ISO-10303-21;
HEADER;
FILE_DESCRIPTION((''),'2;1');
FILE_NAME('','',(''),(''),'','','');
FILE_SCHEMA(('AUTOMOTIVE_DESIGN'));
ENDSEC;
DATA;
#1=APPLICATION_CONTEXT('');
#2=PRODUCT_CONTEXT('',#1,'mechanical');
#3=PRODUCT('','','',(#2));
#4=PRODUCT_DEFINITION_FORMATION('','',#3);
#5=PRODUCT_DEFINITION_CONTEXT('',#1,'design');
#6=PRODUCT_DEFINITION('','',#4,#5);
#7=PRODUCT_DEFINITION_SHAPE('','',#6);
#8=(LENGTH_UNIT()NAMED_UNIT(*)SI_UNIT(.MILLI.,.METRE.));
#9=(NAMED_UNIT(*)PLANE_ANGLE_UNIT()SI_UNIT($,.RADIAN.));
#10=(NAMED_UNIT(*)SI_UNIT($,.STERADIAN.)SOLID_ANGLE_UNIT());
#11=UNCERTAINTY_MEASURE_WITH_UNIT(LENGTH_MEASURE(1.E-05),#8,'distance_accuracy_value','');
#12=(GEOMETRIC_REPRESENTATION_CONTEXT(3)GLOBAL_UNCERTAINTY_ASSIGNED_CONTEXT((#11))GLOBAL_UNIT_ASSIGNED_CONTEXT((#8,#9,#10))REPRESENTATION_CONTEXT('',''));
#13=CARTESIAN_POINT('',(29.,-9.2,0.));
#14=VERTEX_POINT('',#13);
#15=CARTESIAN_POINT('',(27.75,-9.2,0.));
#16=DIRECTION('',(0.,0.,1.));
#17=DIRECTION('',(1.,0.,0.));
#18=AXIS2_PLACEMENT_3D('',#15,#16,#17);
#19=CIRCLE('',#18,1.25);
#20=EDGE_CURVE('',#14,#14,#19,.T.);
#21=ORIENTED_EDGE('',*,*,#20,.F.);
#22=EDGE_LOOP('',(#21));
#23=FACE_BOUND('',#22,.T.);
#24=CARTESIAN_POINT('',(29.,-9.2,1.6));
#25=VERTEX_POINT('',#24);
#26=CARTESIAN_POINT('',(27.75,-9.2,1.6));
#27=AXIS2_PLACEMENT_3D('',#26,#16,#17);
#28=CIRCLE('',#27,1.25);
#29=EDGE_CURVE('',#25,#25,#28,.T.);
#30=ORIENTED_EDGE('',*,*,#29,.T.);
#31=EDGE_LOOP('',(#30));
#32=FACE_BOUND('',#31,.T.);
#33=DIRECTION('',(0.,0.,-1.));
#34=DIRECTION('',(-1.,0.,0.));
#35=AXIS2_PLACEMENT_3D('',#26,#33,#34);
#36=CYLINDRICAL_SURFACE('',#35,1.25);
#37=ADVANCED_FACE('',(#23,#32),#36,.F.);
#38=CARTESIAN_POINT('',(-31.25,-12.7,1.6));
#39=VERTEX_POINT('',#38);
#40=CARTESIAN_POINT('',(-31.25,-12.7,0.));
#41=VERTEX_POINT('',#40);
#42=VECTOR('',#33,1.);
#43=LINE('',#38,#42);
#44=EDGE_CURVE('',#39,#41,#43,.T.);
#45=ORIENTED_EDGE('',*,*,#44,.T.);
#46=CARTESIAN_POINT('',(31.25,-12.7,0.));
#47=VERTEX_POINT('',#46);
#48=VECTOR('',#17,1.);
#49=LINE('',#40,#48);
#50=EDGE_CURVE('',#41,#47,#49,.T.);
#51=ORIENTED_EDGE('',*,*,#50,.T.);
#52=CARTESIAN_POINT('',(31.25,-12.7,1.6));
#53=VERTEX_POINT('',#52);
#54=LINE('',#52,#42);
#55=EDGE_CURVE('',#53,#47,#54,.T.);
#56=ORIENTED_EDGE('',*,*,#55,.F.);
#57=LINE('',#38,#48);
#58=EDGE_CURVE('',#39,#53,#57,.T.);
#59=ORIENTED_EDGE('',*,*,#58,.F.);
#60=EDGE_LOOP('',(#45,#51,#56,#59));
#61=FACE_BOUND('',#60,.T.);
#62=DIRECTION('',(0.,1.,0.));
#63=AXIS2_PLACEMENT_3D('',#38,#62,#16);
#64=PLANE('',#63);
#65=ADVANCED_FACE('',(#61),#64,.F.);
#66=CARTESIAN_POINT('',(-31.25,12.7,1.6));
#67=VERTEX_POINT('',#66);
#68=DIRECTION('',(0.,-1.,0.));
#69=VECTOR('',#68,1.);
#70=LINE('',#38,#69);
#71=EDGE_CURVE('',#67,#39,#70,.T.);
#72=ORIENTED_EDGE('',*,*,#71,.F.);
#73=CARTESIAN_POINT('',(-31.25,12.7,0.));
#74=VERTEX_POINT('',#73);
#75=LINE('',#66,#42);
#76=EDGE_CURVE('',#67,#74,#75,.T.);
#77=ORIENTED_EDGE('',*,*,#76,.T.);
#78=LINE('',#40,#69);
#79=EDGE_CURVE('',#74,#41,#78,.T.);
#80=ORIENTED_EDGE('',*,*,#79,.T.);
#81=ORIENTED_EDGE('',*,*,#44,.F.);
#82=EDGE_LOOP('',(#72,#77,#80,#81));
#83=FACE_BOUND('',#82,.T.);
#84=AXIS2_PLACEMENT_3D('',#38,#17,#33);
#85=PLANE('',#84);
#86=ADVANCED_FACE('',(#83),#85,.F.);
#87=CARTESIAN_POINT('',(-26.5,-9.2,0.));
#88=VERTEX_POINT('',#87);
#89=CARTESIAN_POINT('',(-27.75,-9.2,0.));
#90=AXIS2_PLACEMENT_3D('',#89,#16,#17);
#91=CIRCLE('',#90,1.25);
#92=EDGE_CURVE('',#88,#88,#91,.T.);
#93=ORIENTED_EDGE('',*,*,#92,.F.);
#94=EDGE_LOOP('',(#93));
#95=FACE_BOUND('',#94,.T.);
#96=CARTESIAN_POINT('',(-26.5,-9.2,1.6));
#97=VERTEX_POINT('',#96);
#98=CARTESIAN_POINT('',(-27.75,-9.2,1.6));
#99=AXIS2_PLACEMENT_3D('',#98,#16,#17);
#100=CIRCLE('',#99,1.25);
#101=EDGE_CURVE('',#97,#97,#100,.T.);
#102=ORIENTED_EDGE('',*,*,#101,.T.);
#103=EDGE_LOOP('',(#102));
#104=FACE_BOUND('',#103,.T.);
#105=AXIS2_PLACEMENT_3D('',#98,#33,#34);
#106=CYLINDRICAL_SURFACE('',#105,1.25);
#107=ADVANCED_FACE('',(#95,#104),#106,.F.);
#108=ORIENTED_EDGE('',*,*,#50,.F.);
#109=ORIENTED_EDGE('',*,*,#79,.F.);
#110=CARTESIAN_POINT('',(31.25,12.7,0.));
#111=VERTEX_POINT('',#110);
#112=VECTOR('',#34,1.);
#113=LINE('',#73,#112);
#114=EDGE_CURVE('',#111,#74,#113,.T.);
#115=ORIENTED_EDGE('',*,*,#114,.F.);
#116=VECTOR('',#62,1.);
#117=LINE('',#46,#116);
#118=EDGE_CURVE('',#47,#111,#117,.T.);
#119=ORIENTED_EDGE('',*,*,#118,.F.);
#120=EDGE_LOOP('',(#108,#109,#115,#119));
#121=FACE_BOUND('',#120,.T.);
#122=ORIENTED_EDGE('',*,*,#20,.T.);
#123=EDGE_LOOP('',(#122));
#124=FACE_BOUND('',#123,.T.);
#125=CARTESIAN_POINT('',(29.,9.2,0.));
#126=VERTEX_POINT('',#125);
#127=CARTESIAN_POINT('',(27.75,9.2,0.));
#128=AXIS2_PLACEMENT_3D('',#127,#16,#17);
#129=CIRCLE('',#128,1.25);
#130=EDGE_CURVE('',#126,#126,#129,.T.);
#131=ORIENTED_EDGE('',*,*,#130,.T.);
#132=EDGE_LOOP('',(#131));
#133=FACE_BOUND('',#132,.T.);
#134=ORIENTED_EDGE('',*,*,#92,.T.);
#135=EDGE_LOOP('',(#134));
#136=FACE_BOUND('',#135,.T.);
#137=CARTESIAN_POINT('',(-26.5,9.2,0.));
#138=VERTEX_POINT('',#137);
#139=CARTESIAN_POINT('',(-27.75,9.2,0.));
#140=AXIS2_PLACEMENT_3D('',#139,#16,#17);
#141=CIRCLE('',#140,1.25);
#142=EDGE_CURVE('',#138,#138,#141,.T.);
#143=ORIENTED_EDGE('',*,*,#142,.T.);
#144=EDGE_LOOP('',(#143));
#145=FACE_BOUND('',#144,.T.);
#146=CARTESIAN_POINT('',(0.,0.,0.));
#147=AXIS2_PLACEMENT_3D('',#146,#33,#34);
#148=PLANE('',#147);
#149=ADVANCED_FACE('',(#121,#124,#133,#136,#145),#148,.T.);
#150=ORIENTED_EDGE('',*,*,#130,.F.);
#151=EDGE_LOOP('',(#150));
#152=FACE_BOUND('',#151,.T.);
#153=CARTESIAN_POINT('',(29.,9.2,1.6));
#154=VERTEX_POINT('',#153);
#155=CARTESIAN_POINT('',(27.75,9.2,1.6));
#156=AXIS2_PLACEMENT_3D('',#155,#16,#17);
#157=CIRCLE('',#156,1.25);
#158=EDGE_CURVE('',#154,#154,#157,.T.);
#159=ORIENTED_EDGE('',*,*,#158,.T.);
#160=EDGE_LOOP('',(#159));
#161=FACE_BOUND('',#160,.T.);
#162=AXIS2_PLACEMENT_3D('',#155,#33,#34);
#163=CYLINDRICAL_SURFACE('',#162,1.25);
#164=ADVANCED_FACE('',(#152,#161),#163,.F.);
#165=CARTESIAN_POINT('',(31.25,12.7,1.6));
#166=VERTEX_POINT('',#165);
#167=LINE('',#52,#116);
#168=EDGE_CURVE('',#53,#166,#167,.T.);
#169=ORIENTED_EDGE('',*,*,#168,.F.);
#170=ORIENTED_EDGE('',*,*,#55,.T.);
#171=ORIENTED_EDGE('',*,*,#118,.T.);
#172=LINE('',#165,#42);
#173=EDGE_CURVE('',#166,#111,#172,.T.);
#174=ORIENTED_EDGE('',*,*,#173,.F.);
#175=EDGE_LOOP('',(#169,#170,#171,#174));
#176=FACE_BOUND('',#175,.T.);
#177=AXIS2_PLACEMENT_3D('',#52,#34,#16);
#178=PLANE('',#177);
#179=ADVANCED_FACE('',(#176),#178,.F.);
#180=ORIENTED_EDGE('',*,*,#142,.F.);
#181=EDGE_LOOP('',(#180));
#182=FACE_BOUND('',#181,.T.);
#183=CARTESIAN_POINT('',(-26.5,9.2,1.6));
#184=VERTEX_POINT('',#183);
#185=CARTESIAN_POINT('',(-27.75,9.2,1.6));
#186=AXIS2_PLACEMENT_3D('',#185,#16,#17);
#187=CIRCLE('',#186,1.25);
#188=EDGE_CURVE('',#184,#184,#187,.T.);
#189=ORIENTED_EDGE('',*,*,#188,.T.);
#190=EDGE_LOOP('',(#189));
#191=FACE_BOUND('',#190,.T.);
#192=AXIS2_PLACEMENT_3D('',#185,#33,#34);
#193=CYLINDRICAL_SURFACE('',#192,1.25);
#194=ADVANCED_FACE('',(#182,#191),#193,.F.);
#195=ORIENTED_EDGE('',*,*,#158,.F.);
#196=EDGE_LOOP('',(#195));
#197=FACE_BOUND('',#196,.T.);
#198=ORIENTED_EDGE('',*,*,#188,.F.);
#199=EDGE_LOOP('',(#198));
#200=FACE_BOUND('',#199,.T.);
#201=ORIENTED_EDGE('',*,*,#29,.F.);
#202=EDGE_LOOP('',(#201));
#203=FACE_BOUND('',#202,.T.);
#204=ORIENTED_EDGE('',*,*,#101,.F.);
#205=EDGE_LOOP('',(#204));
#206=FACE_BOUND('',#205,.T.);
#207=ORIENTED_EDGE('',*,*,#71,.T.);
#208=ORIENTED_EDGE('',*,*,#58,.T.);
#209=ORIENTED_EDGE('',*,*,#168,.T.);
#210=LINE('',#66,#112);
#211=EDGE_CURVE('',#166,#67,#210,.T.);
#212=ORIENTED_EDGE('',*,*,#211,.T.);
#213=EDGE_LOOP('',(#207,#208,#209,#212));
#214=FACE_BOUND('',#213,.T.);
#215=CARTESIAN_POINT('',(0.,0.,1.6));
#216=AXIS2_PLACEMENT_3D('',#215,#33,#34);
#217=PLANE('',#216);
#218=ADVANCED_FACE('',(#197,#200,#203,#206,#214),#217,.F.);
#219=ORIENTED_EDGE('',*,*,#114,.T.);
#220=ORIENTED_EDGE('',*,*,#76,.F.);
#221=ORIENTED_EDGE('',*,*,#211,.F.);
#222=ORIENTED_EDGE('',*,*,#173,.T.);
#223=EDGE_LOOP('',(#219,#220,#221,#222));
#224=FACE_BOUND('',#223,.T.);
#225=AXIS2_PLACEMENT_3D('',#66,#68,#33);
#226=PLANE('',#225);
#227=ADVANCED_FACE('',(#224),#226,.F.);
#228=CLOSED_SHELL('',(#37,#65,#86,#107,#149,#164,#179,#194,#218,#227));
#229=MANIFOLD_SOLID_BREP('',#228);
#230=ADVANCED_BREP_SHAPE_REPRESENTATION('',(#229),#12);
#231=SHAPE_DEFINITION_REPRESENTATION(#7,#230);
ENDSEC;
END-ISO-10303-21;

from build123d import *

# Parameters (mm, degrees)
SKETCH1_W           = 62.5
SKETCH1_H           = 25.4
SKETCH1_R           = 1.25
BOSS_EXTRUDE1_DEPTH = 1.6


with BuildPart() as part:
    # Sketch1 → Boss-Extrude1 (new body)
    with BuildSketch(Plane.XY):
        Rectangle(SKETCH1_W, SKETCH1_H)
        with Locations((-27.75, 9.2)):
            Circle(SKETCH1_R, mode=Mode.SUBTRACT)
        with Locations((27.75, 9.2)):
            Circle(SKETCH1_R, mode=Mode.SUBTRACT)
        with Locations((27.75, -9.2)):
            Circle(SKETCH1_R, mode=Mode.SUBTRACT)
        with Locations((-27.75, -9.2)):
            Circle(SKETCH1_R, mode=Mode.SUBTRACT)
    extrude(amount=BOSS_EXTRUDE1_DEPTH)


solid = part.part
